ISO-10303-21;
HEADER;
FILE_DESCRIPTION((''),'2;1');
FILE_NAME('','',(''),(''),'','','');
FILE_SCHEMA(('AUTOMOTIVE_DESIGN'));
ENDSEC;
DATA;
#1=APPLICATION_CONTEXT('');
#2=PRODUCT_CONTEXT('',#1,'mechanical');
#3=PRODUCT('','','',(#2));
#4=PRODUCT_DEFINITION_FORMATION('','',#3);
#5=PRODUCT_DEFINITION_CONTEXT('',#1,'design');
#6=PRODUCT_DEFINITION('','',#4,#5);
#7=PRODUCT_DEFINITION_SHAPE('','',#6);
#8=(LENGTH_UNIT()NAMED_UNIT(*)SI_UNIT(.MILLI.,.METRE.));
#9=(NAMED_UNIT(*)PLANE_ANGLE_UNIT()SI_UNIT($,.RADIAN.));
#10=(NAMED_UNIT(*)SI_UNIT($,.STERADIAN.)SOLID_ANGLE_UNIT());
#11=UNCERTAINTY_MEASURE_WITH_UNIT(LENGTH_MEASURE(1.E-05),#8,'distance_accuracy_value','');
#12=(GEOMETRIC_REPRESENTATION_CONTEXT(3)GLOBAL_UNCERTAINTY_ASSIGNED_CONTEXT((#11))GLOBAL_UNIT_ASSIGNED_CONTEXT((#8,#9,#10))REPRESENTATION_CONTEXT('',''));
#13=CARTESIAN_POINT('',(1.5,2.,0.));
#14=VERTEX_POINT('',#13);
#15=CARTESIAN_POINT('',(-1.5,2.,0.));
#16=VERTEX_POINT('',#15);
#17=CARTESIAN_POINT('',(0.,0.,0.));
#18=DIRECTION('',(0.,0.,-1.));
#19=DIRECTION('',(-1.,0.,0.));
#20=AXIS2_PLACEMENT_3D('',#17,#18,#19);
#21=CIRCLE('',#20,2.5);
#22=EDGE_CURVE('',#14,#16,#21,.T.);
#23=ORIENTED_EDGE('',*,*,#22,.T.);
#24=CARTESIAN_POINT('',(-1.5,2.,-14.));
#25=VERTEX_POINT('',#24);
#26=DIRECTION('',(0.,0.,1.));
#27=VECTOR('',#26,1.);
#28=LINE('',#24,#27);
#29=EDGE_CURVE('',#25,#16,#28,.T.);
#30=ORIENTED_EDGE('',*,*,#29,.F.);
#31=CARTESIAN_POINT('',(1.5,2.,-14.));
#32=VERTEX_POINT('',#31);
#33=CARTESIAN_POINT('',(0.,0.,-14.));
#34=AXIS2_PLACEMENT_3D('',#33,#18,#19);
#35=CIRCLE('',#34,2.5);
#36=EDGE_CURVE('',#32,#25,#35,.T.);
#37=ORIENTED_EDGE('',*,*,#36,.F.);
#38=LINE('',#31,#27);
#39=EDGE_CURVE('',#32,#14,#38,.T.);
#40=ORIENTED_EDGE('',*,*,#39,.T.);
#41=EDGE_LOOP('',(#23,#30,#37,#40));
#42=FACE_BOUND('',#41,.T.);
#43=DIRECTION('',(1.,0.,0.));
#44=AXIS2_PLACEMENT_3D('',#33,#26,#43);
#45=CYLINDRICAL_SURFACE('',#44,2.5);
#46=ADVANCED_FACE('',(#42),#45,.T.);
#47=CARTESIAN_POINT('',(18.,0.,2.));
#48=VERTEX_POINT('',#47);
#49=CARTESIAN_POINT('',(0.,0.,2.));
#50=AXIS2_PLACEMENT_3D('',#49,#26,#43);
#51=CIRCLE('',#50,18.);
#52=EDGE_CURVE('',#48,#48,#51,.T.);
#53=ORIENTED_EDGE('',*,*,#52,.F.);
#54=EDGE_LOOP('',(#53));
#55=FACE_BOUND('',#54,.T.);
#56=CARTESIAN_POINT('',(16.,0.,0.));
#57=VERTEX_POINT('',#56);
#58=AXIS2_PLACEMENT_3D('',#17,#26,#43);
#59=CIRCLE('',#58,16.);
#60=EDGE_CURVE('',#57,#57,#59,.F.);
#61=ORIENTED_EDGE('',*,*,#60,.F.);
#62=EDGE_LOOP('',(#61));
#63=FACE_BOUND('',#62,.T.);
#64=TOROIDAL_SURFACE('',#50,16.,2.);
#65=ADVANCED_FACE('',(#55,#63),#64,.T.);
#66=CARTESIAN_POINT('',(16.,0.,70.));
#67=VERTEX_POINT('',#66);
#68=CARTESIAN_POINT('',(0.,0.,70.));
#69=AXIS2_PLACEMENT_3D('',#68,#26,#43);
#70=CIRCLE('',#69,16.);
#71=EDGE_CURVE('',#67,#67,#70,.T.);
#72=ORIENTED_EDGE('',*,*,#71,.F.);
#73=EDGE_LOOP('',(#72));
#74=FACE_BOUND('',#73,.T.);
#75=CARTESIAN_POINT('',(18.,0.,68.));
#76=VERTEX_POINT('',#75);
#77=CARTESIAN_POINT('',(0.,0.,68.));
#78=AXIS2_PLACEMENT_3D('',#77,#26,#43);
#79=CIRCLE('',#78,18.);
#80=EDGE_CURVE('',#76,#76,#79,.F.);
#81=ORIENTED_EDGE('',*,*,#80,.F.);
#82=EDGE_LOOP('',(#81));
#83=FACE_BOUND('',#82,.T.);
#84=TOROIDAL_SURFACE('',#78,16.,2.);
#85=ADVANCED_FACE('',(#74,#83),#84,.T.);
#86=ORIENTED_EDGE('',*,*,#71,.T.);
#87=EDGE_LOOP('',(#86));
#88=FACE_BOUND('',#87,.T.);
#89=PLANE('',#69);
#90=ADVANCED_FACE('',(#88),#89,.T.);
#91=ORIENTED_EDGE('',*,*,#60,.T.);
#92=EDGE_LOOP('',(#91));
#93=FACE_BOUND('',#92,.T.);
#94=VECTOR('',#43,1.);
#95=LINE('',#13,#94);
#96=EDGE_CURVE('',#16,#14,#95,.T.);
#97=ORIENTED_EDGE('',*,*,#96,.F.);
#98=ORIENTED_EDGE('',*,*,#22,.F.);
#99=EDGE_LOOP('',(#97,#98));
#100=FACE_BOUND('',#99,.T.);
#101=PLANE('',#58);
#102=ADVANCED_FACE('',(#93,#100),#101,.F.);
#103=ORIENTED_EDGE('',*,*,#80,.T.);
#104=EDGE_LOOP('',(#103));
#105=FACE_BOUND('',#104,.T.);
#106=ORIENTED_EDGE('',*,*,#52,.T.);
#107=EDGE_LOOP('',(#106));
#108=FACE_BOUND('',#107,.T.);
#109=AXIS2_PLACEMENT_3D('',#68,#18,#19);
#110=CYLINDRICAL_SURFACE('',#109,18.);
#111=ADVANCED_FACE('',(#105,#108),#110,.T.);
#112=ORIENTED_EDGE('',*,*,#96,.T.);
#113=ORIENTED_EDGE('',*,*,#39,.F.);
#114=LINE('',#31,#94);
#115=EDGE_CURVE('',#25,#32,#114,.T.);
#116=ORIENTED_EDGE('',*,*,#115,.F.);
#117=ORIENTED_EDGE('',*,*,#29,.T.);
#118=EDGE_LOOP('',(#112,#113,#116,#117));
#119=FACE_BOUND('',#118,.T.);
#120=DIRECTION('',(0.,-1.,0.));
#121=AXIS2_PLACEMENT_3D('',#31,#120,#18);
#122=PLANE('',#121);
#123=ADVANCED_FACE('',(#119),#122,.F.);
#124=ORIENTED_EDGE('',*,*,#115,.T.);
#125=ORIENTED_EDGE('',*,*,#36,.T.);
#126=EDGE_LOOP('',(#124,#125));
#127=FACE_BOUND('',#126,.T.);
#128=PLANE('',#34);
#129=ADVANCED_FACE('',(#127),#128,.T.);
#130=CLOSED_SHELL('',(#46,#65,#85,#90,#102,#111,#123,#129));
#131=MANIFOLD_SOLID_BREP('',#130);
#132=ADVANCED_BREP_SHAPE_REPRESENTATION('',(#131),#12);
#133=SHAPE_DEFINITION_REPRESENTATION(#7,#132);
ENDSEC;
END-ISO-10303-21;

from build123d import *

# Parameters (mm, degrees)
SKETCH1_R           = 18
BOSS_EXTRUDE1_DEPTH = 70
BOSS_EXTRUDE2_DEPTH = 14
FILLET1_R           = 2


with BuildPart() as part:
    # Sketch1 → Boss-Extrude1 (new body)
    with BuildSketch(Plane.XY):
        Circle(SKETCH1_R)
    extrude(amount=BOSS_EXTRUDE1_DEPTH)

    # Sketch2 → Boss-Extrude2 (add)
    with BuildSketch(Plane(origin=(0, 0, 0), x_dir=(-1, 0, 0), z_dir=(0, 0, -1))):
        with BuildLine():
            Line((-1.5, 2), (1.5, 2))
            ThreePointArc((1.5, 2), (0, -2.5), (-1.5, 2))
        make_face()
    extrude(amount=BOSS_EXTRUDE2_DEPTH)

    # Fillet1
    fillet1_edges = [part.edges().sort_by_distance(p)[0] for p in [
        (-18, 0, 0),
        (-18, 0, 70),
    ]]
    fillet(fillet1_edges, radius=FILLET1_R)


solid = part.part
